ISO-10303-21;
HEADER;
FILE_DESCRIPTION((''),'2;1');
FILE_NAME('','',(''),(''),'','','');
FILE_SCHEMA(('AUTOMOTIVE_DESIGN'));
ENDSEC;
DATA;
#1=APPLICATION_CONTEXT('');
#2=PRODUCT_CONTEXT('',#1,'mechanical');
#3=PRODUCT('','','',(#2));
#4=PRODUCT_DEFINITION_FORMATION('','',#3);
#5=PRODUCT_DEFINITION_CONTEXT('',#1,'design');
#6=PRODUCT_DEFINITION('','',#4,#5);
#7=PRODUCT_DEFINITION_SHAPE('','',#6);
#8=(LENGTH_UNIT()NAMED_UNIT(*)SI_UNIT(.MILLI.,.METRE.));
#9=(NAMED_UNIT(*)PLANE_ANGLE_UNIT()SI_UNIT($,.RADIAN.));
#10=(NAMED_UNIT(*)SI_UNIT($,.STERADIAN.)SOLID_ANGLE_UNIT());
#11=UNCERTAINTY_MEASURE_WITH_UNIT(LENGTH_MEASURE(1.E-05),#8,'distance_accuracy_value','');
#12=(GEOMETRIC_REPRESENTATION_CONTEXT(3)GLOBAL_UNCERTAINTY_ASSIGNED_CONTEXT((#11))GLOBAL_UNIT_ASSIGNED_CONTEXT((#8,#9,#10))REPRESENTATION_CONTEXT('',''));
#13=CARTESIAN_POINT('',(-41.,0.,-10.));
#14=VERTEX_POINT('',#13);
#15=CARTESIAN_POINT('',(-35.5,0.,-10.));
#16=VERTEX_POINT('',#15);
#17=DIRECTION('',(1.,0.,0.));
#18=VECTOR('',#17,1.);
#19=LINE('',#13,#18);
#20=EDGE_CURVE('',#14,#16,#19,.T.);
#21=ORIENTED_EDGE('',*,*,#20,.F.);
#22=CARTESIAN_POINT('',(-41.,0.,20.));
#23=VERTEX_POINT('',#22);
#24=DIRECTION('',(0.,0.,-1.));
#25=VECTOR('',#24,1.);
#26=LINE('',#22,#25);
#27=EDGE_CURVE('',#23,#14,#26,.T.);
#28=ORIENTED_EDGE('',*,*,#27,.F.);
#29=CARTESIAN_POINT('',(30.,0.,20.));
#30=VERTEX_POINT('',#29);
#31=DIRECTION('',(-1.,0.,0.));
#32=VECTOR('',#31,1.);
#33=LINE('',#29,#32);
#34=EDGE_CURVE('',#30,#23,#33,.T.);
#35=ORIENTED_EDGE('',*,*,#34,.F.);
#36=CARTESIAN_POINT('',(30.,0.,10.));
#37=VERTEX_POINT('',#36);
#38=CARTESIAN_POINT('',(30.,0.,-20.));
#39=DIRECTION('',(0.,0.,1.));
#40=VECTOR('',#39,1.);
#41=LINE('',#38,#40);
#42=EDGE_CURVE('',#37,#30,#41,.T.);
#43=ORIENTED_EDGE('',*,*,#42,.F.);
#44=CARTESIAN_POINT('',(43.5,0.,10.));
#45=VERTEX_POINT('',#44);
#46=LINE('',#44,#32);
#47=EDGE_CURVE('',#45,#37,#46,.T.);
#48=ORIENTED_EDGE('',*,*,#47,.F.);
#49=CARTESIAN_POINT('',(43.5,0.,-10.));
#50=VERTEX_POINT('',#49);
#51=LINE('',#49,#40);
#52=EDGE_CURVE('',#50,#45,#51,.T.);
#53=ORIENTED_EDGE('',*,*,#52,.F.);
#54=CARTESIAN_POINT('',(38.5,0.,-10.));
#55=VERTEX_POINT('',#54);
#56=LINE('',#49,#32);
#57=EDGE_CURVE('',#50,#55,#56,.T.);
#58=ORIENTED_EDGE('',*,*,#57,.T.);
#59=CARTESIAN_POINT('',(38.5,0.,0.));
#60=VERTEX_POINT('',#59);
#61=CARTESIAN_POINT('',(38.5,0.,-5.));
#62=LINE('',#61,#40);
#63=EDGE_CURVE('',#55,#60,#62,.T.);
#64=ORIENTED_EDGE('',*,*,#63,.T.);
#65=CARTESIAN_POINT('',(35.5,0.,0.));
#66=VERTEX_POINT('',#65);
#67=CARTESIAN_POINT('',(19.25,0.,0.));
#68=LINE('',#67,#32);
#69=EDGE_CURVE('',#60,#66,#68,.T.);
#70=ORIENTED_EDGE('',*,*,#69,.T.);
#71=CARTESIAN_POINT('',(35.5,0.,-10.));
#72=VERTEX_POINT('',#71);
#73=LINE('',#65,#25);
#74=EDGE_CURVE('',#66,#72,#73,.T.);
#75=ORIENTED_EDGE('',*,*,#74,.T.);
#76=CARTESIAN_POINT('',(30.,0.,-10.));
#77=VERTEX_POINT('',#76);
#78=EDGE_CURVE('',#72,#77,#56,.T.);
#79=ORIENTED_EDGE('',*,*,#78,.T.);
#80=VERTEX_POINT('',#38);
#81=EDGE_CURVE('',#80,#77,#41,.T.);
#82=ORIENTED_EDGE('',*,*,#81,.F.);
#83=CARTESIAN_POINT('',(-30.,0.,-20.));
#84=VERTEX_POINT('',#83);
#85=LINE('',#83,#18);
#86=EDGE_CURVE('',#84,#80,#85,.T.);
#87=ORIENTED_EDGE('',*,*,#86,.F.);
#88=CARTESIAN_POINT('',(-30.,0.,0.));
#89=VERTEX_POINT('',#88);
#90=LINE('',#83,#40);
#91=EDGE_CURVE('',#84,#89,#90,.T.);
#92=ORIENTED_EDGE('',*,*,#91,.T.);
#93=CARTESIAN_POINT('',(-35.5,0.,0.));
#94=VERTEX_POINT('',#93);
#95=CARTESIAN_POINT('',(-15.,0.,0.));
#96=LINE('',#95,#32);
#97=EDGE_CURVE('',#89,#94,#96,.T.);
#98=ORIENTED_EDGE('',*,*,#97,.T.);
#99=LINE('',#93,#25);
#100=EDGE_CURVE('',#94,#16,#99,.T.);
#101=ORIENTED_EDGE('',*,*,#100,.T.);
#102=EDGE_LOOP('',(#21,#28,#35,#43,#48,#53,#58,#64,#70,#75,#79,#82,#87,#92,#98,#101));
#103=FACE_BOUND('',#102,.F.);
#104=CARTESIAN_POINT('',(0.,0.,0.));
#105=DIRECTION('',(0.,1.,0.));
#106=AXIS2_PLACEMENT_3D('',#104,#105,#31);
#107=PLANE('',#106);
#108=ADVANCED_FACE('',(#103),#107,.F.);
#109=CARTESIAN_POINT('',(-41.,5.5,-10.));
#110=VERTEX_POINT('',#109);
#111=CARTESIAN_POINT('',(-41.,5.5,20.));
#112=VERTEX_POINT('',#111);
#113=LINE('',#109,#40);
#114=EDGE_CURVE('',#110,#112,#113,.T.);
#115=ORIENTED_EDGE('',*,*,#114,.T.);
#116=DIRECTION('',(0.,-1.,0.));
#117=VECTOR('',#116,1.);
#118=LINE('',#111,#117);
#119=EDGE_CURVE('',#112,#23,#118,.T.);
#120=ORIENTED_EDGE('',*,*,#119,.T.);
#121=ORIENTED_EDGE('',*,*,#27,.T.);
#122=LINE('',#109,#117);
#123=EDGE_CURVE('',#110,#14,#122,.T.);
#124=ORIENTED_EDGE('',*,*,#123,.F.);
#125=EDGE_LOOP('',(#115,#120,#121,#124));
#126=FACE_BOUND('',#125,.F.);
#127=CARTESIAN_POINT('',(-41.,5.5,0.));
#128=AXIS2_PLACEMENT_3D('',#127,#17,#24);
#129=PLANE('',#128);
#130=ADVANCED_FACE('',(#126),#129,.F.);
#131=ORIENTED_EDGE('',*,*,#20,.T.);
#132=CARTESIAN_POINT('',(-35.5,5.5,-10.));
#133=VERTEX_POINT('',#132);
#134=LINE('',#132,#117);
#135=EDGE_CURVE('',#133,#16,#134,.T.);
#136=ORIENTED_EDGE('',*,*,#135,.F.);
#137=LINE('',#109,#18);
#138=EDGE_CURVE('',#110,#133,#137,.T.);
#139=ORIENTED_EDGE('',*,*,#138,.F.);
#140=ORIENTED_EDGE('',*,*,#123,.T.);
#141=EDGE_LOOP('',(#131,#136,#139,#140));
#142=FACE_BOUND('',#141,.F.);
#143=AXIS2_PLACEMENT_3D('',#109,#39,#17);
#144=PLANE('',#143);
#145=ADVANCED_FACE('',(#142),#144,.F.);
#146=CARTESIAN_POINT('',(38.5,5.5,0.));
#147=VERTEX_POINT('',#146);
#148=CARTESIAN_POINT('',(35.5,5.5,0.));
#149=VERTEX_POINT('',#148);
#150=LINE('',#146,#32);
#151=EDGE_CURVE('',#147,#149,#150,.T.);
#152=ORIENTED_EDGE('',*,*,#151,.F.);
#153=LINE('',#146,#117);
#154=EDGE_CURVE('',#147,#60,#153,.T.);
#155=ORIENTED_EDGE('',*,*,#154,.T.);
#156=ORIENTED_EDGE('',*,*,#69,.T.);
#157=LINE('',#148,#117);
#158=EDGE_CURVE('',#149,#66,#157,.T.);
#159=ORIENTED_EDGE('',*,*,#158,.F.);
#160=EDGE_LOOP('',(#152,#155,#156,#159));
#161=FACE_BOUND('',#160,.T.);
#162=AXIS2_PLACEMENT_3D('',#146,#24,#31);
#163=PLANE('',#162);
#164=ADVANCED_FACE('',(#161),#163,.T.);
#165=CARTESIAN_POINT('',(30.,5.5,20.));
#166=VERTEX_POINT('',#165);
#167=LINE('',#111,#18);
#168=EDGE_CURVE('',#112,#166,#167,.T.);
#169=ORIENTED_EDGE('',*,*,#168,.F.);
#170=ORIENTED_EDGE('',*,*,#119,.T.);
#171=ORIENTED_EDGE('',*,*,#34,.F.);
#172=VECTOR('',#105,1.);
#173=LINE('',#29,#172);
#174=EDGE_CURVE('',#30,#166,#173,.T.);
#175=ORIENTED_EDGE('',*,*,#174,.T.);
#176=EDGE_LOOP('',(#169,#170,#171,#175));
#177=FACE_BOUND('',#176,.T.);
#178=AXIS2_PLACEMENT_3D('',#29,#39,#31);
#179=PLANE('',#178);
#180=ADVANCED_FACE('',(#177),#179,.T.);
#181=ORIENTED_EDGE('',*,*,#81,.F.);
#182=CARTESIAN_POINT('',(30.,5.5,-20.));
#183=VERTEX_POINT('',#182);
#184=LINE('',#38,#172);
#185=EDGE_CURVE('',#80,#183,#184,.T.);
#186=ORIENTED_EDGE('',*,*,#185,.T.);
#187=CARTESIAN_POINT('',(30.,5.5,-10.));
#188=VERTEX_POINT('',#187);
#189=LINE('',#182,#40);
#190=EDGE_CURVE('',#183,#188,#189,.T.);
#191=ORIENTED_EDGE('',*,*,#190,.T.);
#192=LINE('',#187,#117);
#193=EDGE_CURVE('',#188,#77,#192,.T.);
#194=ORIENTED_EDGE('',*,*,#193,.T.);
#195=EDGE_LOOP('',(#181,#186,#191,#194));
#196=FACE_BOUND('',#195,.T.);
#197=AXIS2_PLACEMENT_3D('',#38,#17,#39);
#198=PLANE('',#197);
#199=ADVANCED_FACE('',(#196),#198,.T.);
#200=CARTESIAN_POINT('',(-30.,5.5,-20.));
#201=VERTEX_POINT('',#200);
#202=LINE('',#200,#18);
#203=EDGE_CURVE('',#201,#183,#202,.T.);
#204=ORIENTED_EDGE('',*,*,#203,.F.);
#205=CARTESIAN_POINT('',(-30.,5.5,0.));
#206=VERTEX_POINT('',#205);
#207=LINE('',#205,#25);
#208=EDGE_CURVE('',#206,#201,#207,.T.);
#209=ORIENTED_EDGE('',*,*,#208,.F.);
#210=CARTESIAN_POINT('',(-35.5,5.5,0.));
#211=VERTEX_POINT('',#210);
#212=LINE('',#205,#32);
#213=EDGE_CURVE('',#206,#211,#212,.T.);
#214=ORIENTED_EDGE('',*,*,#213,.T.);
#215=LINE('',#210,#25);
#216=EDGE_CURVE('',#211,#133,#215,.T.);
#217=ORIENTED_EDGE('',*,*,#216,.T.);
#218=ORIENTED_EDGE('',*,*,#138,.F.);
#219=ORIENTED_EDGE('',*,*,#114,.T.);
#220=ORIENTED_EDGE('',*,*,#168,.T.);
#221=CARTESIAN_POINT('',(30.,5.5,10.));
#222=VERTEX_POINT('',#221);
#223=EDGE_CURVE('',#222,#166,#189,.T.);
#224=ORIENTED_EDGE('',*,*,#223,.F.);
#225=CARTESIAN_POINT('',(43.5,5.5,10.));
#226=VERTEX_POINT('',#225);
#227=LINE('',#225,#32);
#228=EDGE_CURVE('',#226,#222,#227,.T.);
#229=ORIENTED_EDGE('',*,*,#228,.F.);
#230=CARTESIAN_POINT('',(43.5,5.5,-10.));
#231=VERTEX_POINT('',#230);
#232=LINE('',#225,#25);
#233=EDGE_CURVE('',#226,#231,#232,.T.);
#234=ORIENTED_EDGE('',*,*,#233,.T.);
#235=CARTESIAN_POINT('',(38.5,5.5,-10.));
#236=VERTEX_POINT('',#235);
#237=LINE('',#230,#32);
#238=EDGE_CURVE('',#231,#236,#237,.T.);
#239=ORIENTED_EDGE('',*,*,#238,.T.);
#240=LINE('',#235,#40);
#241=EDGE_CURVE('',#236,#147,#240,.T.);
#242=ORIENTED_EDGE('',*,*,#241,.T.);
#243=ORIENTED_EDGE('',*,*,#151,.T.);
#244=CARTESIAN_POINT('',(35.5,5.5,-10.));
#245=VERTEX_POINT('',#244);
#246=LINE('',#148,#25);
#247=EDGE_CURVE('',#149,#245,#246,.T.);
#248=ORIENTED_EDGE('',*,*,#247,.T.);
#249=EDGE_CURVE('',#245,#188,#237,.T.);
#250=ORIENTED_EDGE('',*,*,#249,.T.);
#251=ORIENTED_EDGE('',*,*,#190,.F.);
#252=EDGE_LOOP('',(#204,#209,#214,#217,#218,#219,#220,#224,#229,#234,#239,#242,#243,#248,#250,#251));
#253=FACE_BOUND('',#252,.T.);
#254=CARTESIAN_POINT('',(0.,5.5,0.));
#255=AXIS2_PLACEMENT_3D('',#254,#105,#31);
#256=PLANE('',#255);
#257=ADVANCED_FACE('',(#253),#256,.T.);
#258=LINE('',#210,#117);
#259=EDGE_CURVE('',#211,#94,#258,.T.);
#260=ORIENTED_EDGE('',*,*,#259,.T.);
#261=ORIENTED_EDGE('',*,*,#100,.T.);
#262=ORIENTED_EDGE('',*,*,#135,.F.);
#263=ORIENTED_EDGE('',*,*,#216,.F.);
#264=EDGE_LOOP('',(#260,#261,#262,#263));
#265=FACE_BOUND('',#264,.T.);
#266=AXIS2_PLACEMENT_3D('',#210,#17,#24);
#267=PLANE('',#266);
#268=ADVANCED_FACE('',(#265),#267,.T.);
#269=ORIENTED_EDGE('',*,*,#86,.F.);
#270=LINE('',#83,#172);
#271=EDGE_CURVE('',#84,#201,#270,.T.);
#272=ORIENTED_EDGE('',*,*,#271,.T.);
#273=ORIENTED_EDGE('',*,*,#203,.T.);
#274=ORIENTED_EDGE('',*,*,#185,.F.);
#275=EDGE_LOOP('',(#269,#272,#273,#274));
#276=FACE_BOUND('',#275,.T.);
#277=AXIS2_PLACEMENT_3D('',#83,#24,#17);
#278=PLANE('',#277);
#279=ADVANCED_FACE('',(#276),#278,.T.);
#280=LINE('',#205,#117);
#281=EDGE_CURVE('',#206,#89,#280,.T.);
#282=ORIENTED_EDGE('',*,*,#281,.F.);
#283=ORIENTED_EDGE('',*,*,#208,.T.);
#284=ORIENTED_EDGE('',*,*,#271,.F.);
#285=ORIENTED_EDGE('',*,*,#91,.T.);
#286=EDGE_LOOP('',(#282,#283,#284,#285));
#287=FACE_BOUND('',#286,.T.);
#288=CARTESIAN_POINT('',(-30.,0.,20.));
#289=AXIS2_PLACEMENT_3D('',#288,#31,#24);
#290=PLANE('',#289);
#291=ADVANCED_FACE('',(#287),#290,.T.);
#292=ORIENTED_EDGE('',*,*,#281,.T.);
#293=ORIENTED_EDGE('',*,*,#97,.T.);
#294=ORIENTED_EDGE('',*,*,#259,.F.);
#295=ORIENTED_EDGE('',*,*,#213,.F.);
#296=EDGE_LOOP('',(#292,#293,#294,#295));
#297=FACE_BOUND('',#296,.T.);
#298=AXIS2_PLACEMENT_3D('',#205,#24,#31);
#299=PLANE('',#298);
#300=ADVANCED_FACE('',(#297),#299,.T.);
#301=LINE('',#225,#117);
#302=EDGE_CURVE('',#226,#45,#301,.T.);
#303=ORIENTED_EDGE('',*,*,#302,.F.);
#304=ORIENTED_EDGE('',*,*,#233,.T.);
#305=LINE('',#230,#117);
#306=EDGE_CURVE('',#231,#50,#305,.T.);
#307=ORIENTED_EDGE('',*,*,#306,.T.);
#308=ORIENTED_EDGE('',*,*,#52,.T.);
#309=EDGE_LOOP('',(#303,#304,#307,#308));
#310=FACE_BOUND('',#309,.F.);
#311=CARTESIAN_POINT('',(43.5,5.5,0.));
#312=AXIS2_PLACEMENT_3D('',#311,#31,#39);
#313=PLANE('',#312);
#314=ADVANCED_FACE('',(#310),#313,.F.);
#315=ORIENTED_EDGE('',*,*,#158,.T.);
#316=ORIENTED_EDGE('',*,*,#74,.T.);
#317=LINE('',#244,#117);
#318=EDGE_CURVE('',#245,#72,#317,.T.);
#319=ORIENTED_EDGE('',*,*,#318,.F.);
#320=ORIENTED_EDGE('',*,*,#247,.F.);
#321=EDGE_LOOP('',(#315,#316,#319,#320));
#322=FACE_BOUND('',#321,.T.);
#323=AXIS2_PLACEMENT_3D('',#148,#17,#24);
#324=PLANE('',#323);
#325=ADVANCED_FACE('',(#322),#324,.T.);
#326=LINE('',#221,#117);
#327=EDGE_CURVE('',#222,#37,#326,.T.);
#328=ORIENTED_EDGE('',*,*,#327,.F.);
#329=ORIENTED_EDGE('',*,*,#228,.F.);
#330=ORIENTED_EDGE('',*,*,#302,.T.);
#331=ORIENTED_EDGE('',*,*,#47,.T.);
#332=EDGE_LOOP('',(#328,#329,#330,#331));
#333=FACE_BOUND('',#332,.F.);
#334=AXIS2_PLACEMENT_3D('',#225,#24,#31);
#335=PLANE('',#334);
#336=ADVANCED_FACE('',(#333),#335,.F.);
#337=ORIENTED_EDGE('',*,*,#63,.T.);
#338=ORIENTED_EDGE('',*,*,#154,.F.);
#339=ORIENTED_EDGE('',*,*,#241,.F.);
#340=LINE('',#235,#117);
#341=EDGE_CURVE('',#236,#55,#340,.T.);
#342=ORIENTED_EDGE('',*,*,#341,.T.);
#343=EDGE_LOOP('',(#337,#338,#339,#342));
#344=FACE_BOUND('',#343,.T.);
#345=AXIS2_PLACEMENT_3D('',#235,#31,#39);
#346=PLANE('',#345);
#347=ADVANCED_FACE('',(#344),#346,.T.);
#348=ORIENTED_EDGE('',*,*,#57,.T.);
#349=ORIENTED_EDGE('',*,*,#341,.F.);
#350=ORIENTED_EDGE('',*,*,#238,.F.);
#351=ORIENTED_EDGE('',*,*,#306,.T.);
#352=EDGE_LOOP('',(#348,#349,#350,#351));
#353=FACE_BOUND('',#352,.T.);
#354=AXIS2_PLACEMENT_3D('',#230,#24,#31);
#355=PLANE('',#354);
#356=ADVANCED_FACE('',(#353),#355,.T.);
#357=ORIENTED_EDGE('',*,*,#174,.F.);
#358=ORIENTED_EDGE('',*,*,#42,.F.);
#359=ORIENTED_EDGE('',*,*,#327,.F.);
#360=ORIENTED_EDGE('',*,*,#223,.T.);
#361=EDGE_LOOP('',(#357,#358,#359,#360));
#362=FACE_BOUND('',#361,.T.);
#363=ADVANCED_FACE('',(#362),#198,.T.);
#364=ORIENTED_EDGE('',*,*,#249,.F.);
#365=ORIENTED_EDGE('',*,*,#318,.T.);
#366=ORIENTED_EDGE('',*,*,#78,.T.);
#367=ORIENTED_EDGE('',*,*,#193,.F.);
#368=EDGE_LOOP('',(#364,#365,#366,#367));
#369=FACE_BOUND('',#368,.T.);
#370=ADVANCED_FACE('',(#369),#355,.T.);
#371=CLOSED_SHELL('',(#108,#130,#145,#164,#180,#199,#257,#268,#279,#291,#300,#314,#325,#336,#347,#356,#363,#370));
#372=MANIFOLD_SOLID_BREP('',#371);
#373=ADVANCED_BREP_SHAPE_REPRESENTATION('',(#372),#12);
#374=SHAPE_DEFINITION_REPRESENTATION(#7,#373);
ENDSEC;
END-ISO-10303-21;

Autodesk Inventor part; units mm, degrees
ref_plane "YZ Plane" through (0, 0, 0) normal (1, 0, 0) x (0, 1, 0)
ref_plane "XZ Plane" through (0, 0, 0) normal (0, 1, 0) x (-1, 0, 0)
ref_plane "XY Plane" through (0, 0, 0) normal (0, 0, 1) x (1, 0, 0)
sketch "Sketch1" plane through (0, 0, 0) normal (0, 1, 0) x (-1, 0, 0)
  line L0 (30, -20) -> (-30, -20)
  line L1 (-30, -20) -> (-30, 20)
  line L2 (-30, 20) -> (30, 20)
  line L3 (30, 20) -> (30, -20)
  line L4 (30, -20) -> (-30, 20) construction
  line L5 (-30, -20) -> (30, 20) construction
  point P0 (0, 0)
  dimension "d0" = 60
  dimension "d1" = 40
extrude "Extrusion1" add sketch "Sketch1" along normal blind 5.5
sketch "Sketch2" plane through (0, 5.5, 0) normal (0, 1, 0) x (1, 0, 0)
  line L0 (30, -20) -> (30, 20) projected
  line L1 (30, 0) -> (43.5, 0)
  line L2 (43.5, 0) -> (43.5, 10)
  line L3 (43.5, 10) -> (30, 10)
  line L4 (30, 10) -> (30, 0)
  line L5 (-43.1, 0) -> (48.6, 0) projected
  line L6 (43.5, 0) -> (43.5, -10)
  line L7 (43.5, -10) -> (30, -10)
  line L8 (30, -10) -> (30, 0)
  point P0 (0, 0)
  dimension "d4" = 13.5
  dimension "d5" = 10
extrude "Extrusion2" add sketch "Sketch2" against normal blind 5.5
sketch "Sketch3" plane through (0, 5.5, 0) normal (0, 1, 0) x (1, 0, 0)
  line L0 (43.5, 10) -> (30, 10) projected
  line L1 (30, 10) -> (30, 20) projected
  line L2 (35.5, 10) -> (38.5, 10)
  line L3 (38.5, 10) -> (38.5, 0)
  line L4 (38.5, 0) -> (35.5, 0)
  line L5 (35.5, 0) -> (35.5, 10)
  point P0 (0, 0)
  dimension "d8" = 5.5
  dimension "d9" = 3
  dimension "d10" = 10
extrude "Extrusion3" cut sketch "Sketch3" against normal through all
sketch "Sketch4" plane through (0, 5.5, 0) normal (0, 1, 0) x (1, 0, 0)
  line L0 (35.5, 0) -> (35.5, 10) projected
  line L1 (35.5, 10) -> (30, 10) projected
  line L2 (30, 10) -> (30, 20) projected
  line L3 (30, 20) -> (-30, 20) projected
  line L4 (-30, 20) -> (-30, -20) projected
  line L5 (-30, -20) -> (30, -20) projected
  line L6 (30, -20) -> (30, -10) projected
  line L7 (30, -10) -> (43.5, -10) projected
  line L8 (43.5, -10) -> (43.5, 10) projected
  line L9 (43.5, 10) -> (38.5, 10) projected
  line L10 (38.5, 10) -> (38.5, 0) projected
  line L11 (38.5, 0) -> (35.5, 0) projected
  point P0 (0, 0)
sketch "Sketch5" plane through (0, 5.5, 0) normal (0, 1, 0) x (1, 0, 0)
  line L0 (-30, 20) -> (-30, -20) projected
  line L1 (-44.7, 0) -> (58.2, 0) projected
  line L2 (0, 28) -> (0, -28) projected
  line L3 (-30, 0) -> (-41, 0)
  line L4 (-41, 0) -> (-41, 10)
  line L5 (-41, 10) -> (-30, 10)
  line L6 (-30, 10) -> (-30, 0)
  line L7 (-30, 0) -> (-41, 0)
  line L8 (-41, 0) -> (-41, -20)
  line L9 (-41, -20) -> (-30, -20)
  line L10 (-30, -20) -> (-30, 0)
  point P0 (0, 0)
  dimension "d14" = 11
  dimension "d15" = 10
extrude "Extrusion4" add sketch "Sketch5" against normal blind 5.5
sketch "Sketch6" plane through (0, 5.5, 0) normal (0, 1, 0) x (1, 0, 0)
  line L0 (-30, 20) -> (-30, 10) projected
  line L1 (-30, 10) -> (-41, 10) projected
  line L2 (-30, 0) -> (-35.5, 0)
  line L3 (-35.5, 0) -> (-35.5, 10)
  line L4 (-35.5, 10) -> (-30, 10)
  line L5 (-30, 10) -> (-30, 0)
  line L6 (-57.9, 0) -> (60.4, 0) projected
  line L7 (0, 28) -> (0, -28) projected
  point P0 (0, 0)
  dimension "d20" = 0
  dimension "d21" = 5.5
extrude "Extrusion5" cut sketch "Sketch6" against normal through all
equation "\"d2\" = Wt"
equation "\"d6\" = Wt"
equation "\"d8\" = Wt"
equation "\"d11\" = Wt"
equation "\"d14\" = 2 * Wt"
equation "\"d16\" = Wt"
equation "\"d21\" = Wt"
equation "\"d22\" = Wt"
equation "\"Wt\" = 5.5"
properties part number "ex_holder_side" material "Wood (Birch)"
